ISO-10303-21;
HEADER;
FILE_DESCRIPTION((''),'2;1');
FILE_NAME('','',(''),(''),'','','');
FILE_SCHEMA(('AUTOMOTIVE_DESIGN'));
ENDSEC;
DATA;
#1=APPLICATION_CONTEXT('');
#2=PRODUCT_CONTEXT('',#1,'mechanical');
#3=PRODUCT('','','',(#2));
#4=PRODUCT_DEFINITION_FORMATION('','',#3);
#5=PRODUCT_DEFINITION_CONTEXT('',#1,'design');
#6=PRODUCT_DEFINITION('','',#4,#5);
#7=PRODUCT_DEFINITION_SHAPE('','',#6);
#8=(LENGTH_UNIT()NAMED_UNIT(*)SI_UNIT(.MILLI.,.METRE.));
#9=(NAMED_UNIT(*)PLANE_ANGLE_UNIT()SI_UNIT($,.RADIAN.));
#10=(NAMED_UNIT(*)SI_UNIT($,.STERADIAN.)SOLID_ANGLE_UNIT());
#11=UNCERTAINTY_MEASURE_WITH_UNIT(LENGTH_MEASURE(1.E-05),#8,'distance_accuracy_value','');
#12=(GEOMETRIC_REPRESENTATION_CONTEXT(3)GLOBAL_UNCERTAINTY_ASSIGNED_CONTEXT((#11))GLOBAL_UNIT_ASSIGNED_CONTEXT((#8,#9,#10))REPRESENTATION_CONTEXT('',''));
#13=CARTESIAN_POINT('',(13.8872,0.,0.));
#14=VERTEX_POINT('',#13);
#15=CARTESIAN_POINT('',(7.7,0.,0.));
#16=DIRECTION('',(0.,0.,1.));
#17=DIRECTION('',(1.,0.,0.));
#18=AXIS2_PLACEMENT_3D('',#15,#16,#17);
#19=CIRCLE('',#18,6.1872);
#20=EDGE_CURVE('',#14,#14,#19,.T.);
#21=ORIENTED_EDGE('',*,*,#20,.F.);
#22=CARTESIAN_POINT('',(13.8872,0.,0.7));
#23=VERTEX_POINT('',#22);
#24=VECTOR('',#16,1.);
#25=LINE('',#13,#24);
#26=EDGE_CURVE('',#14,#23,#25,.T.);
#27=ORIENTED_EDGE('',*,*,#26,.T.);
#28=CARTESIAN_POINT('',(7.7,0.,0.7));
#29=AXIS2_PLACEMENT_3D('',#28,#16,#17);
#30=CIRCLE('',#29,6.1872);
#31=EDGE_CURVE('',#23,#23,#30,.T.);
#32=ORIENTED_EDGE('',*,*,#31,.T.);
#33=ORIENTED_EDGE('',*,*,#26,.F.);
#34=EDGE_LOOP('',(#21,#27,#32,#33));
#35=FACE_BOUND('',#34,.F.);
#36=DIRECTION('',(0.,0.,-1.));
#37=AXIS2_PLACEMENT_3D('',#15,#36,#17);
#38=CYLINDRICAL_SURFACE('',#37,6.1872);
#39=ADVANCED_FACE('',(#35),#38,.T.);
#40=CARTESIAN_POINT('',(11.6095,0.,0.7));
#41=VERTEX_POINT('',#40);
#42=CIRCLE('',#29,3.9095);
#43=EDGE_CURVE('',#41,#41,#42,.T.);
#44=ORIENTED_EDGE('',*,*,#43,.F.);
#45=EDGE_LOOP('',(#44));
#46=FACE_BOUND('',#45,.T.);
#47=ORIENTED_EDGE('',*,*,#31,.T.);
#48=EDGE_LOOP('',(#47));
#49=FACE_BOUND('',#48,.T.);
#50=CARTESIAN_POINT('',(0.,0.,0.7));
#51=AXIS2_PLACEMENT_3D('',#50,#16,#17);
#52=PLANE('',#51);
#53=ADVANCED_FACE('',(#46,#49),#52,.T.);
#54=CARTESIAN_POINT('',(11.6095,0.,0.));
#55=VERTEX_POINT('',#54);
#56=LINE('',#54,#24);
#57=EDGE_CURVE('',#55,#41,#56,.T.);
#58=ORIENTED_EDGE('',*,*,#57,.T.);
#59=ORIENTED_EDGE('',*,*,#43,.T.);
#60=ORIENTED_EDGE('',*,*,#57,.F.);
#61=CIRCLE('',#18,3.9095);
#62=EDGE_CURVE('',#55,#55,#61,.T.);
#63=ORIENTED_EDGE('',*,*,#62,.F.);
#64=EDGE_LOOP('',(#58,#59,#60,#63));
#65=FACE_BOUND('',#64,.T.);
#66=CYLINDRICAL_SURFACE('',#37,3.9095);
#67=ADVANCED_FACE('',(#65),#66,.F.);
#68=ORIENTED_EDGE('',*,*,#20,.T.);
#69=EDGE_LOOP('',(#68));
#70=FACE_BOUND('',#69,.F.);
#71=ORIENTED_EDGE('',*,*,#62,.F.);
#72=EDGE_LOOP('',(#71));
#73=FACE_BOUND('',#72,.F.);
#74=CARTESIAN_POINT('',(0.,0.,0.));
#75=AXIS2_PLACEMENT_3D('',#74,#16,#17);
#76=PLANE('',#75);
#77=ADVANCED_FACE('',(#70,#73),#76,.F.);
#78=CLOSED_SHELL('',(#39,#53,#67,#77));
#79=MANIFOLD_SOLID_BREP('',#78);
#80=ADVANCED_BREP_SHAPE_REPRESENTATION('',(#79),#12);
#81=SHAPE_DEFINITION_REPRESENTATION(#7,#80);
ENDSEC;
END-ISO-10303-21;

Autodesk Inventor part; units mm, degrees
ref_plane "YZ Plane" through (0, 0, 0) normal (1, 0, 0) x (0, 1, 0)
ref_plane "XZ Plane" through (0, 0, 0) normal (0, 1, 0) x (-1, 0, 0)
ref_plane "XY Plane" through (0, 0, 0) normal (0, 0, 1) x (1, 0, 0)
sketch "Sketch1" plane through (0, 0, 0) normal (0, 0, 1) x (1, 0, 0)
  circle A0 centre (7.7, 0) radius 3.9095
  circle A1 centre (7.7, 0) radius 6.1872
  point P0 (0, 0)
extrude "Extrusion1" add sketch "Sketch1" along normal blind 0.7
properties part number "DelrinShim"
